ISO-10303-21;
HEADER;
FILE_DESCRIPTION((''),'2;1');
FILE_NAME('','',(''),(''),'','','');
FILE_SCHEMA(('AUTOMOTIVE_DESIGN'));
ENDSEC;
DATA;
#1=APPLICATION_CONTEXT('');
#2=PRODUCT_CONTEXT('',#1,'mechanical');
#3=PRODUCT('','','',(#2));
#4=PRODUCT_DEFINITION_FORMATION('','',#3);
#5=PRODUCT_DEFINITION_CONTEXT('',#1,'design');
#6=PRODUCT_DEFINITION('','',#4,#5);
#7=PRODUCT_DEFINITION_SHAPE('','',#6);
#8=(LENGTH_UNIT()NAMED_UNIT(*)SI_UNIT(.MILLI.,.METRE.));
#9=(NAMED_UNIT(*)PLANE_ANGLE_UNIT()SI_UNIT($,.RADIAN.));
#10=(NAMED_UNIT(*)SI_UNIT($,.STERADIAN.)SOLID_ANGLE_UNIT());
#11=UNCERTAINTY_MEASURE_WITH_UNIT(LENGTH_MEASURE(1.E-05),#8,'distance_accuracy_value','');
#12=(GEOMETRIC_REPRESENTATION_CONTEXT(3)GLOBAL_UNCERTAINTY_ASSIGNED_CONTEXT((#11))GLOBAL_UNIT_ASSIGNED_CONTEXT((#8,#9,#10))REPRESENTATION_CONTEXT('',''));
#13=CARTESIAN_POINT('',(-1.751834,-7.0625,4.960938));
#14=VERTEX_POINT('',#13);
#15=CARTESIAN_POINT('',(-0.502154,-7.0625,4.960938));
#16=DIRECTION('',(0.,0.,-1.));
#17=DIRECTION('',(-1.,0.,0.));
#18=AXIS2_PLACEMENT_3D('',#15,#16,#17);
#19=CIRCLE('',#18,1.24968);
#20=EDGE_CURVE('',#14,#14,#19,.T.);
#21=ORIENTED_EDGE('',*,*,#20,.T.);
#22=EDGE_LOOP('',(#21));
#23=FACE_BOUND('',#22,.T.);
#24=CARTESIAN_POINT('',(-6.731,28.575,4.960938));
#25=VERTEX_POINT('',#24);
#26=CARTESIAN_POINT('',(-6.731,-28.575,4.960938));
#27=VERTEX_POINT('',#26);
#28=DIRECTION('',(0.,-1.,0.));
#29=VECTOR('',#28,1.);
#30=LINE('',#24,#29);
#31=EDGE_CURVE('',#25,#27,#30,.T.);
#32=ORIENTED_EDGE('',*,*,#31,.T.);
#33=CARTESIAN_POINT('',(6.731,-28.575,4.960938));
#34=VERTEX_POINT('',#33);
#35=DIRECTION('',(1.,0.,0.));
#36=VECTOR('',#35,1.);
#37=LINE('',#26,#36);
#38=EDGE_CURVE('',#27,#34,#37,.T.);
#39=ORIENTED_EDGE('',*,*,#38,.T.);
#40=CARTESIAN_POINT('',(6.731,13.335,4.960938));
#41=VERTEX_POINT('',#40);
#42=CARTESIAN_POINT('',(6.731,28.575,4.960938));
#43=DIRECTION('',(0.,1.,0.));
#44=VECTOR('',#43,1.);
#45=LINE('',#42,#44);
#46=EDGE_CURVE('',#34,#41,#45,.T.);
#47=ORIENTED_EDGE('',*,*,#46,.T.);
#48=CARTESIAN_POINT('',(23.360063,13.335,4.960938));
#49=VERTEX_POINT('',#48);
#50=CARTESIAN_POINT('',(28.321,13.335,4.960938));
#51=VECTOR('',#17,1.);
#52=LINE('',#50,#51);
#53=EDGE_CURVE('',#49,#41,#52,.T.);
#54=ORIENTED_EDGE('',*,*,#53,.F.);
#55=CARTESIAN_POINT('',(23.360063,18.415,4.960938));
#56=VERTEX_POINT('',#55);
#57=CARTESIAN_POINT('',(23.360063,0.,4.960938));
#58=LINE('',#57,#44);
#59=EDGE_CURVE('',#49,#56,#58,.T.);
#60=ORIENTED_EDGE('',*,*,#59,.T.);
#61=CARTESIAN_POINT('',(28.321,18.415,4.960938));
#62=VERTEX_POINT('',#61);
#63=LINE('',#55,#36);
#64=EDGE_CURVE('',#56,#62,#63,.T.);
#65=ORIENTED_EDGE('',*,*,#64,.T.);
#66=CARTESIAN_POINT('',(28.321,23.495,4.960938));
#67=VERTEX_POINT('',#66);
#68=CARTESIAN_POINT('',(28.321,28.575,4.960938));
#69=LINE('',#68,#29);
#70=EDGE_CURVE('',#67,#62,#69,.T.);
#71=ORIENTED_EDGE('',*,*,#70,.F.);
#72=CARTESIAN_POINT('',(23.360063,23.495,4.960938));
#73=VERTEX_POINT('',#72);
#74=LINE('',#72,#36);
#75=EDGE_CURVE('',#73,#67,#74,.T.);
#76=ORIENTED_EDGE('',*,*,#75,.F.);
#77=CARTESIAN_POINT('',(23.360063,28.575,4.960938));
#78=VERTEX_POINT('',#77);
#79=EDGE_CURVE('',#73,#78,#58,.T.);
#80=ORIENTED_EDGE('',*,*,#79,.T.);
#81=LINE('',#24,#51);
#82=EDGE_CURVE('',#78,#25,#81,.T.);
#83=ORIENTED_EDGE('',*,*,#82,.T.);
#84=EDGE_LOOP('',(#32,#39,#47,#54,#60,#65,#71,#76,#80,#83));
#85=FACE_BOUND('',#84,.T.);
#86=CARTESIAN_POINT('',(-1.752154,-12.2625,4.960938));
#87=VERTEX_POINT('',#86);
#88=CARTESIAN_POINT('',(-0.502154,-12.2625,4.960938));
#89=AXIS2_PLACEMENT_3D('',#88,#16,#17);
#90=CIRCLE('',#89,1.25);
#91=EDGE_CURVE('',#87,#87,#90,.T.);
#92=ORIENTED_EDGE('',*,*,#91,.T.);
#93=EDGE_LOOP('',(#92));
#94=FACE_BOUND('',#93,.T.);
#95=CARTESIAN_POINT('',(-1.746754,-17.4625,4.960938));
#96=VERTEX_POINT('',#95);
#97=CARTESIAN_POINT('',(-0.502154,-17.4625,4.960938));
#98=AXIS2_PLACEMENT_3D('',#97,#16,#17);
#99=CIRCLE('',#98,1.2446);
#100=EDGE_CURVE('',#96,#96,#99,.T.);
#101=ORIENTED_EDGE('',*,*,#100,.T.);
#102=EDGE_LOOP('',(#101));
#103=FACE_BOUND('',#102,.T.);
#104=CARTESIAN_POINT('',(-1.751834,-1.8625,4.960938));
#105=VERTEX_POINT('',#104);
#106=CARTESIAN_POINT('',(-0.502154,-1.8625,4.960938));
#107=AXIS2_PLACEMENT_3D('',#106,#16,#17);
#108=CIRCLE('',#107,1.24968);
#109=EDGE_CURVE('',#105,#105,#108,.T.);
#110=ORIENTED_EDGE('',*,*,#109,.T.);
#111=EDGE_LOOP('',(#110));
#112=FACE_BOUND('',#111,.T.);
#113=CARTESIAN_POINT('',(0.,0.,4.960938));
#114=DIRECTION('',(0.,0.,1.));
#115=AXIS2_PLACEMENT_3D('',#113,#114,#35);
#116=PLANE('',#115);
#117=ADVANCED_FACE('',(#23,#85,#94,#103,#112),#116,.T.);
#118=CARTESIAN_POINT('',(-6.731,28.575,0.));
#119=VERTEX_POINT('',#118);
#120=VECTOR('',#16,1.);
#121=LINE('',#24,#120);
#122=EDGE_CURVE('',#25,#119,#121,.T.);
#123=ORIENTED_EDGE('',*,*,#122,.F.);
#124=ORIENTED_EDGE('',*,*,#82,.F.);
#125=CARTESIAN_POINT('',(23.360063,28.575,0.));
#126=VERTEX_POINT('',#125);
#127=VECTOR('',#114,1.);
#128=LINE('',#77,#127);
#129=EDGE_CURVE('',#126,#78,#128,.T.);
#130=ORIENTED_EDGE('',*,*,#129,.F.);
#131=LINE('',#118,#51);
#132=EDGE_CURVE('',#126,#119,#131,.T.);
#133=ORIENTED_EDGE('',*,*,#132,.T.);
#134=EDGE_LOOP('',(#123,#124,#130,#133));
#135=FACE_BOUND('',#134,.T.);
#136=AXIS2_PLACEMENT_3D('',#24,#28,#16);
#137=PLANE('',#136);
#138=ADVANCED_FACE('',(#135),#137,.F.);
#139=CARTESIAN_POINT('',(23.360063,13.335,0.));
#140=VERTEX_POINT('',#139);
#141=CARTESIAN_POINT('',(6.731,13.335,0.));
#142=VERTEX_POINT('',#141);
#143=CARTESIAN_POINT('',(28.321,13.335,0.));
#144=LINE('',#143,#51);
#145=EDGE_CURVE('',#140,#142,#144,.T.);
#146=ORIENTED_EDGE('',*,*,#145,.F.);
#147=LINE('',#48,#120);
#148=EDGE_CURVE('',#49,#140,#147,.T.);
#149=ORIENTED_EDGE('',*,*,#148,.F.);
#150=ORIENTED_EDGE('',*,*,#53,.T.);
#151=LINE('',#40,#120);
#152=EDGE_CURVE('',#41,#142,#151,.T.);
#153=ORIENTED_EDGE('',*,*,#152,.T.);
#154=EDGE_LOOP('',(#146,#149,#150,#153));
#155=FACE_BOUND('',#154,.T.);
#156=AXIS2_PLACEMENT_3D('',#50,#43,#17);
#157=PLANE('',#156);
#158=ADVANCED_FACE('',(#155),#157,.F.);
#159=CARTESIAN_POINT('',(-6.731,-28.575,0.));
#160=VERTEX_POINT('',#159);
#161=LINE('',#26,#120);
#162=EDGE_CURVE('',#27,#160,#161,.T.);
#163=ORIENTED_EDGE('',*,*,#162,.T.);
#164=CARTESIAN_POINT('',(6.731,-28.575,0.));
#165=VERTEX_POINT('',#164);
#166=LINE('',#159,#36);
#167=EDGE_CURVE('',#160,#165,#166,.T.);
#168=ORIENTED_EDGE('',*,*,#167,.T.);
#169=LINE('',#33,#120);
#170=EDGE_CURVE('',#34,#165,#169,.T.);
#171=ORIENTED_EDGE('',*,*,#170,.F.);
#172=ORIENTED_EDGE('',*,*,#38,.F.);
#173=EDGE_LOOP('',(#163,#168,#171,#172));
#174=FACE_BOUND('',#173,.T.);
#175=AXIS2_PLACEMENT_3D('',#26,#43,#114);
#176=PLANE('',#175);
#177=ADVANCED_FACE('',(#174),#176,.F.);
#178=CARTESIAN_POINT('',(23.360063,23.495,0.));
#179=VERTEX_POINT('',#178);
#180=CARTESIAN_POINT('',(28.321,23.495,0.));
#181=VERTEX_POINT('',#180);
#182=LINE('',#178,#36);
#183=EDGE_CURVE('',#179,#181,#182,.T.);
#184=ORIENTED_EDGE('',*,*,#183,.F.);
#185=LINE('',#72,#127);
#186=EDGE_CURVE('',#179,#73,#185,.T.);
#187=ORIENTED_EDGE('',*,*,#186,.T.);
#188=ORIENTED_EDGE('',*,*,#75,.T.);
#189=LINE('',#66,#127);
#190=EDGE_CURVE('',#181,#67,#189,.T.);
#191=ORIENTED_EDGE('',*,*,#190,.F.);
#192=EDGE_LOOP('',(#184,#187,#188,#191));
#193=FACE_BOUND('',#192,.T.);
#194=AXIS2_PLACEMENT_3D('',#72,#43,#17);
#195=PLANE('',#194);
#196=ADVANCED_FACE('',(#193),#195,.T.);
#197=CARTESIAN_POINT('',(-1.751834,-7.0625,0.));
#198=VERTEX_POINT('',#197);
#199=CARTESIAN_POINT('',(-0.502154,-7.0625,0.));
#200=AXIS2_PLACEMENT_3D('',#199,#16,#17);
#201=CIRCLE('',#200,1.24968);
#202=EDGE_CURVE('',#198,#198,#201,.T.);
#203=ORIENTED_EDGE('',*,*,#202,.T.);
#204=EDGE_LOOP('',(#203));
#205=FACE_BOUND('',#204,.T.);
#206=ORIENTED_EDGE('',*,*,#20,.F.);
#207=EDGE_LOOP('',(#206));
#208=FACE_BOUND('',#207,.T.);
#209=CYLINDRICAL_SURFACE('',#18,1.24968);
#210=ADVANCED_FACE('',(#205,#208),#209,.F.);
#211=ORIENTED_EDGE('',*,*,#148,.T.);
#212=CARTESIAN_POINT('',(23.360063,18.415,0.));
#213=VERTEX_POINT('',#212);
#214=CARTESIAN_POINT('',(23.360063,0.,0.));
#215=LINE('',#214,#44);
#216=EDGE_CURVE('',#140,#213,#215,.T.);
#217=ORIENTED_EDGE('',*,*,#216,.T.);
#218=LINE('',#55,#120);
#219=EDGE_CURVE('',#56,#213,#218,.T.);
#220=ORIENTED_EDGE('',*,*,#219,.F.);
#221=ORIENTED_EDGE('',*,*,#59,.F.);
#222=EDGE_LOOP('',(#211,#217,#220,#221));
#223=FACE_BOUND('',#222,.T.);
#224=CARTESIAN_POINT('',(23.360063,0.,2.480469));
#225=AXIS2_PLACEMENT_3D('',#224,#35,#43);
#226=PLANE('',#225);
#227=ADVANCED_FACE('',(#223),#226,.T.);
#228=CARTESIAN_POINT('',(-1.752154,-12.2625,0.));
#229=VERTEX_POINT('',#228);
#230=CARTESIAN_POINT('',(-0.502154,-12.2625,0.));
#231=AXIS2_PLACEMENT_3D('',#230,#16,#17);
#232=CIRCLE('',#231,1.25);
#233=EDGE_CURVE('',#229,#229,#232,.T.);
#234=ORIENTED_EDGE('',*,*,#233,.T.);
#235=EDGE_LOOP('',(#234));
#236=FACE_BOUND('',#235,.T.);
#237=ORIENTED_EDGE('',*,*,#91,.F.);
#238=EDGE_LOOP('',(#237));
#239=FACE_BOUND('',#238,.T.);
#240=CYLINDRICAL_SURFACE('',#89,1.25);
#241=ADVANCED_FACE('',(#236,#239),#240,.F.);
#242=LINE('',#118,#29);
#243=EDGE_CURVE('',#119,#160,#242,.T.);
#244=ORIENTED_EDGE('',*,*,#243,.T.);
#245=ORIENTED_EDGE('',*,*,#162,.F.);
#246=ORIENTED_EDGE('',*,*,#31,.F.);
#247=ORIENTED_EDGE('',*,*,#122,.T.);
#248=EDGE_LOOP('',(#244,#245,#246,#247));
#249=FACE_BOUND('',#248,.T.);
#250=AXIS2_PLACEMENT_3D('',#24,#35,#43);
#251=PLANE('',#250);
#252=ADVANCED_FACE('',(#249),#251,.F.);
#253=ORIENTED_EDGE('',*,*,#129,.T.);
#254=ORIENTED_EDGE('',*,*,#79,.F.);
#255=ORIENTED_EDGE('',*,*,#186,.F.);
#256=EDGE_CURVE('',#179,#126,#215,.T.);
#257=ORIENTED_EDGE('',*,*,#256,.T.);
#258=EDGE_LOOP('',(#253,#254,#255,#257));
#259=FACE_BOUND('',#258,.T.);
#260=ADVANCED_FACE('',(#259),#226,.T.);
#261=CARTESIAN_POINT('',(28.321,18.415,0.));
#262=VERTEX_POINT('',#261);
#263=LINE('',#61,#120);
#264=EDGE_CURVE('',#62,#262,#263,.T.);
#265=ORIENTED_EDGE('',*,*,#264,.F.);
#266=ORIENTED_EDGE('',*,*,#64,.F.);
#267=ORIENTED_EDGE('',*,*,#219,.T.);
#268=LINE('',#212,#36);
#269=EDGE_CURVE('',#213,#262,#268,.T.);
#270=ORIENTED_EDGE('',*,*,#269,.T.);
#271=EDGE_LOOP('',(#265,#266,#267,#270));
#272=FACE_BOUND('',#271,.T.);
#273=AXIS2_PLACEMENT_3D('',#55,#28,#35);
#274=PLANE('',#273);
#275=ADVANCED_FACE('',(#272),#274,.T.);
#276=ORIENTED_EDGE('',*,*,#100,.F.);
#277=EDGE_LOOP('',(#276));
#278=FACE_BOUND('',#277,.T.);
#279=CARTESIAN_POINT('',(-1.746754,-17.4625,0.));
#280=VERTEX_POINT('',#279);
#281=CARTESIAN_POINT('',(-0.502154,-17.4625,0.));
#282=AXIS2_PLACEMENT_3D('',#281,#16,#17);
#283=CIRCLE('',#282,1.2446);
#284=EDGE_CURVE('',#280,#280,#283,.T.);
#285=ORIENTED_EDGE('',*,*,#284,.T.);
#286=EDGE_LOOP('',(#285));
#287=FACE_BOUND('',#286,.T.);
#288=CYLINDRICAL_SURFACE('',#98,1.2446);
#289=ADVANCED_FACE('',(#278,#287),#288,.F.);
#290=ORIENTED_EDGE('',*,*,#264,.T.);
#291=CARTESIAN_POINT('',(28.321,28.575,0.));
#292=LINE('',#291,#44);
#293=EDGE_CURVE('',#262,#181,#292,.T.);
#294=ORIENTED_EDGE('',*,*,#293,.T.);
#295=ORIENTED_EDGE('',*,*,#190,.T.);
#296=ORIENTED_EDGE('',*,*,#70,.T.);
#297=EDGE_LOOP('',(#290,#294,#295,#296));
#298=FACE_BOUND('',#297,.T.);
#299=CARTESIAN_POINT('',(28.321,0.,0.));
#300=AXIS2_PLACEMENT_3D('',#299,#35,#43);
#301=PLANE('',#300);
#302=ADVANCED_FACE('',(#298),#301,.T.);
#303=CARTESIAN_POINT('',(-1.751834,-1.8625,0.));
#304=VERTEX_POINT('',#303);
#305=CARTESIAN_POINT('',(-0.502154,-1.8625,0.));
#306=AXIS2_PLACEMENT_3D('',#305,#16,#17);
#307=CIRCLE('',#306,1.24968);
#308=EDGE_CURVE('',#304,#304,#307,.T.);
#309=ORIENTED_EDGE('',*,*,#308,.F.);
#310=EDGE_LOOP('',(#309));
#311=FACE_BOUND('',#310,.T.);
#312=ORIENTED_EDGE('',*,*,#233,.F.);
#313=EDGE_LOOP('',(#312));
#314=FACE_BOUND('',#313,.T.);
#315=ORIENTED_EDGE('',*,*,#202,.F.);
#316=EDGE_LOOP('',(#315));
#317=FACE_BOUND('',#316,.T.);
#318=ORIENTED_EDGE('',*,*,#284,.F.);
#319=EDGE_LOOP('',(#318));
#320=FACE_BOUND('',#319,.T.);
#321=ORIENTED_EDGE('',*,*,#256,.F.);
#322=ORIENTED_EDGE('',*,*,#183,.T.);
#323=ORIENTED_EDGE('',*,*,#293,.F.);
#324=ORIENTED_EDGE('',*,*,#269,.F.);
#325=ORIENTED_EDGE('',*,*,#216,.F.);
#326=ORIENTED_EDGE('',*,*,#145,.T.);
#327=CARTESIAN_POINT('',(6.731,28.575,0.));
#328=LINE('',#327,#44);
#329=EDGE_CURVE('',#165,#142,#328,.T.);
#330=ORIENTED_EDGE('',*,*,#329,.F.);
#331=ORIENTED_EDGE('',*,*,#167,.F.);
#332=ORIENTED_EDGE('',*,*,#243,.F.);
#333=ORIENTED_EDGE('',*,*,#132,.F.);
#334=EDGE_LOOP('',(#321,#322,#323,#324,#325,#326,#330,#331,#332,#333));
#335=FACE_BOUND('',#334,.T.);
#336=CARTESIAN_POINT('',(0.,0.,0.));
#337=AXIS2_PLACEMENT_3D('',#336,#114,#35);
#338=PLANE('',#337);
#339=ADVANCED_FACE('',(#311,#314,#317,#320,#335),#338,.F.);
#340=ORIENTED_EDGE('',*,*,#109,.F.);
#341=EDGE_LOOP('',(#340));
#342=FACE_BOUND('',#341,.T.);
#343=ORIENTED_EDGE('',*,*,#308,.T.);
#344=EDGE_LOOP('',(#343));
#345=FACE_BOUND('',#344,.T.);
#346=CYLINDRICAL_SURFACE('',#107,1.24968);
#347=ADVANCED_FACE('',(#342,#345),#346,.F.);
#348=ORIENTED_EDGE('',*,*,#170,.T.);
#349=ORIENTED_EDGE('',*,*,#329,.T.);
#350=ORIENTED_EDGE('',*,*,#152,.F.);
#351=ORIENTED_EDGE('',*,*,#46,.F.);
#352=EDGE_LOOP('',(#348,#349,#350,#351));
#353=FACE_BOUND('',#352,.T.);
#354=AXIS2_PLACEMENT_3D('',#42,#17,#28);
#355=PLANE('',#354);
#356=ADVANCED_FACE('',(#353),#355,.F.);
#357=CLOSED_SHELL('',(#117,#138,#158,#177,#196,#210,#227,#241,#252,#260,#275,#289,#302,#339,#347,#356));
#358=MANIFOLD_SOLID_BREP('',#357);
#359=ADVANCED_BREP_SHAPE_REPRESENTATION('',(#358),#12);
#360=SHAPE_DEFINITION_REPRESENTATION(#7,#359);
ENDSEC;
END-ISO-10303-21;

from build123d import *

# Parameters (mm, degrees)
SKETCH1_W           = 13.462
SKETCH1_H           = 57.15
BOSS_EXTRUDE1_DEPTH = 4.9609375
SKETCH2_W           = 4.9609375
SKETCH2_H           = 15.24
BOSS_EXTRUDE2_DEPTH = 21.59
SKETCH5_R           = 1.2446
SKETCH5_R_2         = 1.25
SKETCH5_R_3         = 1.24968
CUT_EXTRUDE2_DEPTH  = 5.9609375
SKETCH6_OUTSIDE_W   = 20.407
SKETCH6_OUTSIDE_H   = 72.596
SKETCH6_OUTSIDE_W_2 = 4.9609375
SKETCH6_OUTSIDE_H_2 = 5.08
CUT_EXTRUDE3_DEPTH  = 4.9609375


with BuildPart() as part:
    # Sketch1 → Boss-Extrude1 (new body)
    with BuildSketch(Plane.XY):
        Rectangle(SKETCH1_W, SKETCH1_H)
    extrude(amount=BOSS_EXTRUDE1_DEPTH)

    # Sketch2 → Boss-Extrude2 (add)
    with BuildSketch(Plane(origin=(6.731, 0, 0), x_dir=(0, 0, -1), z_dir=(1, 0, 0))):
        with Locations((-2.48046875, 20.955)):
            Rectangle(SKETCH2_W, SKETCH2_H)
    extrude(amount=BOSS_EXTRUDE2_DEPTH)

    # Sketch5 → Cut-Extrude2 (cut, through all)
    with BuildSketch(Plane(origin=(0, 0, 0), x_dir=(-1, 0, 0), z_dir=(0, 0, -1))):
        with Locations((0.502153829, -17.4625)):
            Circle(SKETCH5_R)
        with Locations((0.502153829, -12.2625)):
            Circle(SKETCH5_R_2)
        with Locations((0.502153829, -7.0625)):
            Circle(SKETCH5_R_3)
        with Locations((0.502153829, -1.8625)):
            Circle(SKETCH5_R_3)
    extrude(amount=-CUT_EXTRUDE2_DEPTH, mode=Mode.SUBTRACT)

    # Sketch6 outside → Cut-Extrude3 (cut)
    with BuildSketch(Plane(origin=(28.321, 0, 0), x_dir=(0, 0, -1), z_dir=(1, 0, 0))):
        with Locations((-2.4805, 0)):
            Rectangle(SKETCH6_OUTSIDE_W, SKETCH6_OUTSIDE_H)
        with Locations((-2.48046875, 20.955)):
            Rectangle(SKETCH6_OUTSIDE_W_2, SKETCH6_OUTSIDE_H_2, mode=Mode.SUBTRACT)
    extrude(amount=-CUT_EXTRUDE3_DEPTH, mode=Mode.SUBTRACT)


solid = part.part
